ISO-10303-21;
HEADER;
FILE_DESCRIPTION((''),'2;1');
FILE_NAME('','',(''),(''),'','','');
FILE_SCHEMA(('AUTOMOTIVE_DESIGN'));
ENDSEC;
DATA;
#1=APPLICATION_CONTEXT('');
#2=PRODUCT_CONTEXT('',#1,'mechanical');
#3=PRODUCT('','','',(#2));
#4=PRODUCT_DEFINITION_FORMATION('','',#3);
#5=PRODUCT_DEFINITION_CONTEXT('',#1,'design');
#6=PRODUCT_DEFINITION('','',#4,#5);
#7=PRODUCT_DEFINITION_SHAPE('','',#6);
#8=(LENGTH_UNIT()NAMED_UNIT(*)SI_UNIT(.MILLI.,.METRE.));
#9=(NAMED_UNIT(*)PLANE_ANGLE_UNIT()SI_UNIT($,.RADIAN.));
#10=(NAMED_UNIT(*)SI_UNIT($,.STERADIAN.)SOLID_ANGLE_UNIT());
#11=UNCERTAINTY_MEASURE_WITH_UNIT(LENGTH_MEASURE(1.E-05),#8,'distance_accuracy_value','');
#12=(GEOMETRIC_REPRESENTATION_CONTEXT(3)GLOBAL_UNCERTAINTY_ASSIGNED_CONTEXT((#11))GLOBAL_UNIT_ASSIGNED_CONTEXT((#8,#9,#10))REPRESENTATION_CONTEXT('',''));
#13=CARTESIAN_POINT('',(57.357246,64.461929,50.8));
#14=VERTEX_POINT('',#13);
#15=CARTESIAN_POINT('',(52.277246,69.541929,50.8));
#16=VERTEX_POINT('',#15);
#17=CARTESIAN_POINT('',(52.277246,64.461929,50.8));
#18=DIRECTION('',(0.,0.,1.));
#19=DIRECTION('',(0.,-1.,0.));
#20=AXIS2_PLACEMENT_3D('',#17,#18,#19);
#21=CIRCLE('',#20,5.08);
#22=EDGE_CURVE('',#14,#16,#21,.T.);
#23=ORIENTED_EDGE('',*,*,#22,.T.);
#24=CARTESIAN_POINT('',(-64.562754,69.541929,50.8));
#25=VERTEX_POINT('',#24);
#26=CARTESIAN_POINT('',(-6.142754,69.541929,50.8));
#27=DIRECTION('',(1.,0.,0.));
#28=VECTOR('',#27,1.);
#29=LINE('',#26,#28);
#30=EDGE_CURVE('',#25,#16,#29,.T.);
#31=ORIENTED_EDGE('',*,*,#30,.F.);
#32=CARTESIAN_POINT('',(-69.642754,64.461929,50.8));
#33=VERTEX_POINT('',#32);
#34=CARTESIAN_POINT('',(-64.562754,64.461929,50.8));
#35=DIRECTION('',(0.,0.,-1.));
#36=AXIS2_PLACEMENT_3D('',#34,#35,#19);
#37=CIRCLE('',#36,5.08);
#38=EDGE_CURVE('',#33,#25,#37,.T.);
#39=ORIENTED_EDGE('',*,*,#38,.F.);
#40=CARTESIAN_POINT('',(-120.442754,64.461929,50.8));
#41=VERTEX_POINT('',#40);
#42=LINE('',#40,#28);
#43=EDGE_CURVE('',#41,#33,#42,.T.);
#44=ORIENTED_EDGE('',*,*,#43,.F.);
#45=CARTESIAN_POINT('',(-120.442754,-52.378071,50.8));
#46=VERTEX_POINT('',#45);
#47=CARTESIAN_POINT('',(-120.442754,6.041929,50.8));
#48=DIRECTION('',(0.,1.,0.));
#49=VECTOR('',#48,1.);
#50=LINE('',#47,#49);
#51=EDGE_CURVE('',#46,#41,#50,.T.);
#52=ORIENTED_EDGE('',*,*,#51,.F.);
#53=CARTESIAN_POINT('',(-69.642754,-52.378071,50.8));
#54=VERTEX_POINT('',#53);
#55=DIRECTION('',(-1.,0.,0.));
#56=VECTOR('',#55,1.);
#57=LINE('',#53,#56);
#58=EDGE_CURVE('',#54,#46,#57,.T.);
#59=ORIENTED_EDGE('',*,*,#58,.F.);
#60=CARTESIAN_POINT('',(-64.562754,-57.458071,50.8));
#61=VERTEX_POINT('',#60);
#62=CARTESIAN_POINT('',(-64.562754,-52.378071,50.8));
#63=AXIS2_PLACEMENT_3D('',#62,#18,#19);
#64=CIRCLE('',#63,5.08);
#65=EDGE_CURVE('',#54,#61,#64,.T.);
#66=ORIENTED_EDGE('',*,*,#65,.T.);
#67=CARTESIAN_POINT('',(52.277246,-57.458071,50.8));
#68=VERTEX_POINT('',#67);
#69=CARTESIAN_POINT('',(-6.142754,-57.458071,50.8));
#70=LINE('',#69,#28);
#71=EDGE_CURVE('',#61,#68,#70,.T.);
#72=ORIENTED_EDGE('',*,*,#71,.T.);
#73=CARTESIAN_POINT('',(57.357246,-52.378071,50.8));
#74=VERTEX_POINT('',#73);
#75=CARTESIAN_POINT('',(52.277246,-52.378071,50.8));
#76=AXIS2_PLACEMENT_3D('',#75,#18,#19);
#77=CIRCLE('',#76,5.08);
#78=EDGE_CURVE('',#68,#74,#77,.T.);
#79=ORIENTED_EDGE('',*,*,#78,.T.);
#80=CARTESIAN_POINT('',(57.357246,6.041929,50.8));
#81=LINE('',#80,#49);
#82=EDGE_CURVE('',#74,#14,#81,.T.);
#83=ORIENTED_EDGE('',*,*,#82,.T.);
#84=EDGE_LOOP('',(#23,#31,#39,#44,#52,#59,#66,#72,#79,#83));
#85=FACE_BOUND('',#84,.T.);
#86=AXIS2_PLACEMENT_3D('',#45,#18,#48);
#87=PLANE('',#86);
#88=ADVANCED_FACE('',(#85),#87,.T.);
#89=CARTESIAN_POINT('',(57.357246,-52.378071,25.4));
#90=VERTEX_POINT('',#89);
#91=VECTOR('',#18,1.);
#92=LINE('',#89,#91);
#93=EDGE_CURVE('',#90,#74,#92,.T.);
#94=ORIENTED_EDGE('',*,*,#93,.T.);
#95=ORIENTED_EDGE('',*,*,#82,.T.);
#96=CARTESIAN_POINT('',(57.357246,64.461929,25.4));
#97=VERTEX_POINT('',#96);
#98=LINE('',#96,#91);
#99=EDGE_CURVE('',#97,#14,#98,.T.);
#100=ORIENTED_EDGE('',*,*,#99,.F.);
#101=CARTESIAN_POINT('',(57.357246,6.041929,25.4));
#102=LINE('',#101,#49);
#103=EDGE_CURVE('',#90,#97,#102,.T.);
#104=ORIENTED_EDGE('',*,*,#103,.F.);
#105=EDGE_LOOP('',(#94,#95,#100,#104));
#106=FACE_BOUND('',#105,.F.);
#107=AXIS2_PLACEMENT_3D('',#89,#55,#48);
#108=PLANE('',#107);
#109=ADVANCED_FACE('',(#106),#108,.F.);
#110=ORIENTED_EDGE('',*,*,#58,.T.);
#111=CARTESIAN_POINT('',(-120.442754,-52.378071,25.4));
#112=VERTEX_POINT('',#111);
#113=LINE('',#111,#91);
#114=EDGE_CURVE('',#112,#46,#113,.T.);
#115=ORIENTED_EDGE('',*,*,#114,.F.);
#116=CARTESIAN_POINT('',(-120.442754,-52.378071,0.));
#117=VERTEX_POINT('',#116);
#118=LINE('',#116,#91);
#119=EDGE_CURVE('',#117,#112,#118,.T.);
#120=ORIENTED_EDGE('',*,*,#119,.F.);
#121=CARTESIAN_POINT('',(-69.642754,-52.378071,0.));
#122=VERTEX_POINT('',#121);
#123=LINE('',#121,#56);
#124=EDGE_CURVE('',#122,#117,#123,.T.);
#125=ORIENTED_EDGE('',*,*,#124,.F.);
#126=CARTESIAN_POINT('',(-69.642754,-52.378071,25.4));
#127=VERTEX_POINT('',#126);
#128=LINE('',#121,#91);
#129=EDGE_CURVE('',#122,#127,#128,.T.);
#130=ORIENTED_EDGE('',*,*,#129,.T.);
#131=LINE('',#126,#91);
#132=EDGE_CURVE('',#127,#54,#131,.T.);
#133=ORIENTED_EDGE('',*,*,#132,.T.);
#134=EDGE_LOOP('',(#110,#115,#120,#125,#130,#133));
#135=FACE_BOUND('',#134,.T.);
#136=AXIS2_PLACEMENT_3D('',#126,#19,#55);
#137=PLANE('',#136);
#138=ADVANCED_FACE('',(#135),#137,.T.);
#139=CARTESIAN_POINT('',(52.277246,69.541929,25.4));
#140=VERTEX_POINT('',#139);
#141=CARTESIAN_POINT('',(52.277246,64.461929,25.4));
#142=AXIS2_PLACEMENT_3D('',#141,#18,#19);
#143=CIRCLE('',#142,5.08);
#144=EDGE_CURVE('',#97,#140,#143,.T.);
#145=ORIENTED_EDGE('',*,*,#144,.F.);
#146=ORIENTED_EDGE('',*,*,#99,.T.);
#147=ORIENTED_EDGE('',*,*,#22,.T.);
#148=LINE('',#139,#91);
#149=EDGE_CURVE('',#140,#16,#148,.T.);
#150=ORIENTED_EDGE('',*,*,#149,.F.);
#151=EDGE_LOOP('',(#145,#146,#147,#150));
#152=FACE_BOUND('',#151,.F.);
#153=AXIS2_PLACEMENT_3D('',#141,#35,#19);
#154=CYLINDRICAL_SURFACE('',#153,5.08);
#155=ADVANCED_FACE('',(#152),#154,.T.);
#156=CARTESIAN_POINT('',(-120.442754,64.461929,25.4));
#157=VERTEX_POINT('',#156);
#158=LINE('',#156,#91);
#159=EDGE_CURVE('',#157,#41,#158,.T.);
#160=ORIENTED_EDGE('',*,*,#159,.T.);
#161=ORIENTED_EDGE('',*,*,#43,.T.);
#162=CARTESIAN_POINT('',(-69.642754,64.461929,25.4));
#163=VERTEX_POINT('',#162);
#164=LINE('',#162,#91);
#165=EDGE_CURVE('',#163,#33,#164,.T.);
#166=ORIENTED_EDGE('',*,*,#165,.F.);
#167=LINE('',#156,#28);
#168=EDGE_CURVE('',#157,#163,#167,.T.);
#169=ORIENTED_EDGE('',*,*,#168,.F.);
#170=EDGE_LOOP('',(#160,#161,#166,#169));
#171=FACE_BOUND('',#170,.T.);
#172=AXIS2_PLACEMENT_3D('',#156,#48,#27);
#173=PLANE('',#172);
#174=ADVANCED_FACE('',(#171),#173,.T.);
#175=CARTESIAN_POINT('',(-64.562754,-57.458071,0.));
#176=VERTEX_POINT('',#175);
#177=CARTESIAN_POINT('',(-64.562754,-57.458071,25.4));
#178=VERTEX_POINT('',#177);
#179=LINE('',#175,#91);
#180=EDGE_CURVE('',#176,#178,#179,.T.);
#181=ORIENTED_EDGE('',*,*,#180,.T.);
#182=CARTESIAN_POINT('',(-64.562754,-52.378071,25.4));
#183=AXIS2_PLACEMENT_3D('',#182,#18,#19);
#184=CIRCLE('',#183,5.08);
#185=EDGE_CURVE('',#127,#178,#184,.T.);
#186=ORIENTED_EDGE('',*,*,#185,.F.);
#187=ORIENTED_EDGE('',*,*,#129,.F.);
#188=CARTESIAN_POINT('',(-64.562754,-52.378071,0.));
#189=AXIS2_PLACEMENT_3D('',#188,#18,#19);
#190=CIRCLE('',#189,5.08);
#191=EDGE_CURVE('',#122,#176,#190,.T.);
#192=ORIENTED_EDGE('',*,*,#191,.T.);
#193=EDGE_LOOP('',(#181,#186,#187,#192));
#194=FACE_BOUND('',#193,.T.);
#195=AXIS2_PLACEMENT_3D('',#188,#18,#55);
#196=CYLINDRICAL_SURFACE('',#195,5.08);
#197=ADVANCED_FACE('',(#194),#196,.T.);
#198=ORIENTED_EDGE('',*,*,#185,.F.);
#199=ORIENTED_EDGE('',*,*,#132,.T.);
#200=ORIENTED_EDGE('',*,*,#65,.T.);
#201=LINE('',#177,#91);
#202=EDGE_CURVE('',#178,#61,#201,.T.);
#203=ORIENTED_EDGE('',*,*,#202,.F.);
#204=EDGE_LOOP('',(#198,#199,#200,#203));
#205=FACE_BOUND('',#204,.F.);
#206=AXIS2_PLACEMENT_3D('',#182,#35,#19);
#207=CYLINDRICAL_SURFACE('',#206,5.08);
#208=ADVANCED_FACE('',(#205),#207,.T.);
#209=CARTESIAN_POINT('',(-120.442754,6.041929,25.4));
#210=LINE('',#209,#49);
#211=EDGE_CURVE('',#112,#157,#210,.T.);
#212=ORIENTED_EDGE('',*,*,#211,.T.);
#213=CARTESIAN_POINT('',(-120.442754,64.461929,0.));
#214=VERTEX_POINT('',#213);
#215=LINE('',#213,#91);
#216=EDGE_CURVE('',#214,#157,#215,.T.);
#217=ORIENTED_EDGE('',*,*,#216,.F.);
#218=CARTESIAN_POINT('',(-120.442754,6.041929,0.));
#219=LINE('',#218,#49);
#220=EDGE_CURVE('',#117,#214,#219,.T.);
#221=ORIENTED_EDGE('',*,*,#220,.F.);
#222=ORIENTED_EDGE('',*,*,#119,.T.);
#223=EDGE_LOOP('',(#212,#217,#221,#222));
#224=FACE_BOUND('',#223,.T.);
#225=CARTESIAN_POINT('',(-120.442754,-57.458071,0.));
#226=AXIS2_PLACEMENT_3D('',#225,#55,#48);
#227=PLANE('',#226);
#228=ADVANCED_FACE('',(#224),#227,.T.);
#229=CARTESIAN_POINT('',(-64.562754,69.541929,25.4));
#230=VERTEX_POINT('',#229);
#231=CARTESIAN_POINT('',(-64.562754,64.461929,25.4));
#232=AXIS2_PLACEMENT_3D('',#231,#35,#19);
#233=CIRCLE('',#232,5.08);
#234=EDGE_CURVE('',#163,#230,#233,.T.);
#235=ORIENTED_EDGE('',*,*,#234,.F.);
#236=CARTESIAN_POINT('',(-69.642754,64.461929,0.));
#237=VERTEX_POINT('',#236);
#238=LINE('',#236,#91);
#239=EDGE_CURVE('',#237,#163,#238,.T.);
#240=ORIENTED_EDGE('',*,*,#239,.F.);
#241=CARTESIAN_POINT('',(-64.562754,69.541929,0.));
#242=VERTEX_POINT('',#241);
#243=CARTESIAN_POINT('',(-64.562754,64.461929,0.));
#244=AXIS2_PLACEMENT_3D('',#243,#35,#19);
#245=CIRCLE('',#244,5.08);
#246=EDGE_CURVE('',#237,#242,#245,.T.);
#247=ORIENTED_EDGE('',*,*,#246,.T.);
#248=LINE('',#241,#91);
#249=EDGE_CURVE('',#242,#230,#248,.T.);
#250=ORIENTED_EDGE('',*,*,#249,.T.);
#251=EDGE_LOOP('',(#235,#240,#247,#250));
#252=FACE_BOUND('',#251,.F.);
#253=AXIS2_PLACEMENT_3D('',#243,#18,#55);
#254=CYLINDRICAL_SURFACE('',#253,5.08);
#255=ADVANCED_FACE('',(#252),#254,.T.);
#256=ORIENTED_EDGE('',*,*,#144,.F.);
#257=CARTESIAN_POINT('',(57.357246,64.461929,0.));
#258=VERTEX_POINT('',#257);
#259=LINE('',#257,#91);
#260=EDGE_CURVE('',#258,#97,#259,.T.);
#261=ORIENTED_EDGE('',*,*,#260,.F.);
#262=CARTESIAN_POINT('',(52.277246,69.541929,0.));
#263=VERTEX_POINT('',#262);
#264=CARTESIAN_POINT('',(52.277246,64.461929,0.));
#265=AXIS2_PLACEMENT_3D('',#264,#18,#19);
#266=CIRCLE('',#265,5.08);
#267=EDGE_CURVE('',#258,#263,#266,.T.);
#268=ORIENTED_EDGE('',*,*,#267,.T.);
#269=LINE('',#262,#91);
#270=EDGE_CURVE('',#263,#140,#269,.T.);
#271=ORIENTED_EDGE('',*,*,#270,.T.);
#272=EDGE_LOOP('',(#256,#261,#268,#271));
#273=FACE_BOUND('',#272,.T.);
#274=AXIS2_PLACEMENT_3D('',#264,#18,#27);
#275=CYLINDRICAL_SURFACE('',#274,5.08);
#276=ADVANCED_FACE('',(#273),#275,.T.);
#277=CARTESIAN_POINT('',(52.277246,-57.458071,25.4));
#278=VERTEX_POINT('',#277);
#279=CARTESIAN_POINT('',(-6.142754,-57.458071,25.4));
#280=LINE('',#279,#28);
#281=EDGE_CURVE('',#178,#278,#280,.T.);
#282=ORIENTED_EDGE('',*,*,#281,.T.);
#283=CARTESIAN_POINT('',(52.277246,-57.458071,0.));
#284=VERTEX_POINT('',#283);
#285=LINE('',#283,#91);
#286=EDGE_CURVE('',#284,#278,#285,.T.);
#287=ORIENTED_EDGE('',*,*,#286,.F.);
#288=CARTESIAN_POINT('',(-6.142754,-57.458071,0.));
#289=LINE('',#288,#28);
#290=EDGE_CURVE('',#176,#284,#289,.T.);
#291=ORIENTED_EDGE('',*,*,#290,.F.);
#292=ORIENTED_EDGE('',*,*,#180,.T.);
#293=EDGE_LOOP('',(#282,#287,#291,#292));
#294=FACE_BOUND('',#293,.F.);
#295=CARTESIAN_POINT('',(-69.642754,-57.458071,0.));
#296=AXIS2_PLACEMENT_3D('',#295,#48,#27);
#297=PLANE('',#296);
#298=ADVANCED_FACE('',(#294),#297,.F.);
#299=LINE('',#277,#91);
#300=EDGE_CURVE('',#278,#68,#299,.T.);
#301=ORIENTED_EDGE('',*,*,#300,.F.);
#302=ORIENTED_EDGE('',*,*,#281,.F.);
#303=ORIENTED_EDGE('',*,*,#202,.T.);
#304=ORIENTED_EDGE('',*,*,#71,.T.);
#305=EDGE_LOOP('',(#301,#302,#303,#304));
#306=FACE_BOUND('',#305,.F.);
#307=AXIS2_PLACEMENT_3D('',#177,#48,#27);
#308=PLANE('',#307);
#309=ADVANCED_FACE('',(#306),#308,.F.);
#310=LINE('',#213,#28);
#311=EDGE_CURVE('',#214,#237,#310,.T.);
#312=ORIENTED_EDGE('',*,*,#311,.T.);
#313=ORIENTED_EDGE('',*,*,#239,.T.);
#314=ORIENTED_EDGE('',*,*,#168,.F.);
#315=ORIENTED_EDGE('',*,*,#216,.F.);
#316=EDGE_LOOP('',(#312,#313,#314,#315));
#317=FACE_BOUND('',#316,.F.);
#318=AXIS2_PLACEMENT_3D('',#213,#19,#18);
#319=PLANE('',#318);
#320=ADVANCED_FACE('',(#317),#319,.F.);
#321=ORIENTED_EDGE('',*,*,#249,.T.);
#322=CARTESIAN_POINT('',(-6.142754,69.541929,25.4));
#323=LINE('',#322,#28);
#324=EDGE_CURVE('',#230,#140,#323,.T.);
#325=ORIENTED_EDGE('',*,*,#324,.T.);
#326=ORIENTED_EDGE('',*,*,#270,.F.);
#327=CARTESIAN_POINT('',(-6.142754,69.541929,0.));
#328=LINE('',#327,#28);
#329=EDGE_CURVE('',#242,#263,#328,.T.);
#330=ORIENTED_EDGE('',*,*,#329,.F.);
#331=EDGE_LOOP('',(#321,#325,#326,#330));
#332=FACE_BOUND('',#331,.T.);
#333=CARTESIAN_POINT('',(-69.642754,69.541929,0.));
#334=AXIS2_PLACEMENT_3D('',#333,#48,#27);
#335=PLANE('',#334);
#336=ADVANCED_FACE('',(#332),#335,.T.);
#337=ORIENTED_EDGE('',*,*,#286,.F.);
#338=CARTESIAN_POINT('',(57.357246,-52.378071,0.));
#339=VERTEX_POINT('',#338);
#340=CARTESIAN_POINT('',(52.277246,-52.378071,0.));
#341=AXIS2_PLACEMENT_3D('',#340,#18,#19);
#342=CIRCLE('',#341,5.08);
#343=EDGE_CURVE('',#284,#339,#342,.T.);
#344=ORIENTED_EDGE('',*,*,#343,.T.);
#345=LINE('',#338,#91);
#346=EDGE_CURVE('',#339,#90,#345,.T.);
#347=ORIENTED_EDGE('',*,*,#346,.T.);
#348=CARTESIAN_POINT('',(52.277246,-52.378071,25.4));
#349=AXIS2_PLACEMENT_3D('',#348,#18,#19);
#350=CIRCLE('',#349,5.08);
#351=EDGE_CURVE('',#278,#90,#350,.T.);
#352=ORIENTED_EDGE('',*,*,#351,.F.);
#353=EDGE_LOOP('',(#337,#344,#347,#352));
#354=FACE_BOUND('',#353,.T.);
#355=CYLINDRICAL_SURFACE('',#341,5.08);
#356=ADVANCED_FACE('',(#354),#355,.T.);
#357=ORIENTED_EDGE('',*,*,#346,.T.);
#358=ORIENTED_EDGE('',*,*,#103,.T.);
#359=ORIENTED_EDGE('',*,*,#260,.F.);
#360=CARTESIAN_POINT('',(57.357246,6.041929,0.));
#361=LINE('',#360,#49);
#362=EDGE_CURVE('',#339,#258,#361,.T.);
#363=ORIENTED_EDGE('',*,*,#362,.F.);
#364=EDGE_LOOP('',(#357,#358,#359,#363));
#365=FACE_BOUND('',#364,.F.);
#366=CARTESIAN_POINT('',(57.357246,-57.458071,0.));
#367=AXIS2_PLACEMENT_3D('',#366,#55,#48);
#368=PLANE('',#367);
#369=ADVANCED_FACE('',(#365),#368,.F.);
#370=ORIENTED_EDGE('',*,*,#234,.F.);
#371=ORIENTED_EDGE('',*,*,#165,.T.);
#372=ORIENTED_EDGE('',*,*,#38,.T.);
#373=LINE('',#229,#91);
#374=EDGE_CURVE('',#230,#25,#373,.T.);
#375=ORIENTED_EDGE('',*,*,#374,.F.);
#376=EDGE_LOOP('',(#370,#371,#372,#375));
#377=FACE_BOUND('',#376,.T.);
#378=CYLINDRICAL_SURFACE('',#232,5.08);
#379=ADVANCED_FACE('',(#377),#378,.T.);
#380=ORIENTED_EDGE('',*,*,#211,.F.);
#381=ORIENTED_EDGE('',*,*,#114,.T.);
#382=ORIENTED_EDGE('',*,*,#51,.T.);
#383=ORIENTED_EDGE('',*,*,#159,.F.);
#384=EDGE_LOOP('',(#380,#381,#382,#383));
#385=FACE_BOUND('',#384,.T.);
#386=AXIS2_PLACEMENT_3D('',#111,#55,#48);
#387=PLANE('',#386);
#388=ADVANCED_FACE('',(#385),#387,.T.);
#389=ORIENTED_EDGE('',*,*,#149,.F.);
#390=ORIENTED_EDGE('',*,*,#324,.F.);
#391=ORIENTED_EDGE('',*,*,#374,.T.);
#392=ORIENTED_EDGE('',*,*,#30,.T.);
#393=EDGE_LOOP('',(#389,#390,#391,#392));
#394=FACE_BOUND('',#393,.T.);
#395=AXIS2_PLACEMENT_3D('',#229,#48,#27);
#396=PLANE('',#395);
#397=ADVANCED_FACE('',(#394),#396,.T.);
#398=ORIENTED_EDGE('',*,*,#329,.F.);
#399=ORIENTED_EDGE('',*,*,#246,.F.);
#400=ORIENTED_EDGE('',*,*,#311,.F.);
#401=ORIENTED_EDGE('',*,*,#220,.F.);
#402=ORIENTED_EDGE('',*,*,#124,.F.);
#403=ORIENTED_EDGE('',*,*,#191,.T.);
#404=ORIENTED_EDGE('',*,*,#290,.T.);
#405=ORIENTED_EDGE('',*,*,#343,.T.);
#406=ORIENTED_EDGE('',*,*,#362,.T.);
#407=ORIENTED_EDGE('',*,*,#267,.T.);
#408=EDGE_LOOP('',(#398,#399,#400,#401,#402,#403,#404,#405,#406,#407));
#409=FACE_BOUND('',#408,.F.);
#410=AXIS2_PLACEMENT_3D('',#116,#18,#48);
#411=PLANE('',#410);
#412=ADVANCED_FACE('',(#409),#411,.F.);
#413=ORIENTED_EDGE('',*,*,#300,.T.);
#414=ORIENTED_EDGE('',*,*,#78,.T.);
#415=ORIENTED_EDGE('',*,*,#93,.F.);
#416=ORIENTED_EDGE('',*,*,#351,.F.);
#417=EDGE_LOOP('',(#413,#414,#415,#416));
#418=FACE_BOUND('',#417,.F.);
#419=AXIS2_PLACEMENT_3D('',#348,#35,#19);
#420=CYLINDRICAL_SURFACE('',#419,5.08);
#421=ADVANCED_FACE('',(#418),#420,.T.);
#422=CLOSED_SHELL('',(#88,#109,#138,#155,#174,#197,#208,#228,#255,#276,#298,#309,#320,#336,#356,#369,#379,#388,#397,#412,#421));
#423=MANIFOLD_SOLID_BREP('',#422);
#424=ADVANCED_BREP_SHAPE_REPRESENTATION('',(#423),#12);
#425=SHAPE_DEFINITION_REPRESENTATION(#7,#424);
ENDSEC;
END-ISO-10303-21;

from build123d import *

# Parameters (mm, degrees)
F0_W     = 127
F0_H     = 127
F1_DEPTH = 25.4
F2_R     = 5.08
F3_DEPTH = 25.4
F4_DEPTH = 25.4
F5_DEPTH = 25.399999693
F6_DEPTH = 25.4


with BuildPart() as f1:
    # F0 (on Top) → F1 (new body)
    with BuildSketch(Plane.XY):
        with Locations((-6.1427538668, 6.0419291258)):
            Rectangle(F0_W, F0_H)
    extrude(amount=F1_DEPTH)

    # F2
    f2_edges = [f1.edges().sort_by_distance(p)[0] for p in [
        (57.357246, -57.458071, 12.7),
        (57.357246, 69.541929, 12.7),
        (-69.642754, -57.458071, 12.7),
        (-69.642754, 69.541929, 12.7),
    ]]
    fillet(f2_edges, radius=F2_R)

    # F3 (add): a face of the model
    f3_faces = [f1.faces().sort_by_distance(p)[0] for p in [
        (-69.6427538668, 6.0419291258, 12.7),
    ]]
    extrude(f3_faces, amount=F3_DEPTH)

    # F4 (add): a face of the model
    f4_faces = [f1.faces().sort_by_distance(p)[0] for p in [
        (-95.0427538668, 6.0419291258, 12.7),
    ]]
    extrude(f4_faces, amount=F4_DEPTH)

    # F5 (add): a face of the model
    f5_faces = [f1.faces().sort_by_distance(p)[0] for p in [
        (-120.4427538668, 6.0419291258, 12.7),
    ]]
    extrude(f5_faces, amount=-F5_DEPTH)

    # F6 (add): a face of the model
    f6_faces = [f1.faces().sort_by_distance(p)[0] for p in [
        (-30.0814078041, 6.0419291258, 25.4),
    ]]
    extrude(f6_faces, amount=F6_DEPTH)


solid = f1.part
